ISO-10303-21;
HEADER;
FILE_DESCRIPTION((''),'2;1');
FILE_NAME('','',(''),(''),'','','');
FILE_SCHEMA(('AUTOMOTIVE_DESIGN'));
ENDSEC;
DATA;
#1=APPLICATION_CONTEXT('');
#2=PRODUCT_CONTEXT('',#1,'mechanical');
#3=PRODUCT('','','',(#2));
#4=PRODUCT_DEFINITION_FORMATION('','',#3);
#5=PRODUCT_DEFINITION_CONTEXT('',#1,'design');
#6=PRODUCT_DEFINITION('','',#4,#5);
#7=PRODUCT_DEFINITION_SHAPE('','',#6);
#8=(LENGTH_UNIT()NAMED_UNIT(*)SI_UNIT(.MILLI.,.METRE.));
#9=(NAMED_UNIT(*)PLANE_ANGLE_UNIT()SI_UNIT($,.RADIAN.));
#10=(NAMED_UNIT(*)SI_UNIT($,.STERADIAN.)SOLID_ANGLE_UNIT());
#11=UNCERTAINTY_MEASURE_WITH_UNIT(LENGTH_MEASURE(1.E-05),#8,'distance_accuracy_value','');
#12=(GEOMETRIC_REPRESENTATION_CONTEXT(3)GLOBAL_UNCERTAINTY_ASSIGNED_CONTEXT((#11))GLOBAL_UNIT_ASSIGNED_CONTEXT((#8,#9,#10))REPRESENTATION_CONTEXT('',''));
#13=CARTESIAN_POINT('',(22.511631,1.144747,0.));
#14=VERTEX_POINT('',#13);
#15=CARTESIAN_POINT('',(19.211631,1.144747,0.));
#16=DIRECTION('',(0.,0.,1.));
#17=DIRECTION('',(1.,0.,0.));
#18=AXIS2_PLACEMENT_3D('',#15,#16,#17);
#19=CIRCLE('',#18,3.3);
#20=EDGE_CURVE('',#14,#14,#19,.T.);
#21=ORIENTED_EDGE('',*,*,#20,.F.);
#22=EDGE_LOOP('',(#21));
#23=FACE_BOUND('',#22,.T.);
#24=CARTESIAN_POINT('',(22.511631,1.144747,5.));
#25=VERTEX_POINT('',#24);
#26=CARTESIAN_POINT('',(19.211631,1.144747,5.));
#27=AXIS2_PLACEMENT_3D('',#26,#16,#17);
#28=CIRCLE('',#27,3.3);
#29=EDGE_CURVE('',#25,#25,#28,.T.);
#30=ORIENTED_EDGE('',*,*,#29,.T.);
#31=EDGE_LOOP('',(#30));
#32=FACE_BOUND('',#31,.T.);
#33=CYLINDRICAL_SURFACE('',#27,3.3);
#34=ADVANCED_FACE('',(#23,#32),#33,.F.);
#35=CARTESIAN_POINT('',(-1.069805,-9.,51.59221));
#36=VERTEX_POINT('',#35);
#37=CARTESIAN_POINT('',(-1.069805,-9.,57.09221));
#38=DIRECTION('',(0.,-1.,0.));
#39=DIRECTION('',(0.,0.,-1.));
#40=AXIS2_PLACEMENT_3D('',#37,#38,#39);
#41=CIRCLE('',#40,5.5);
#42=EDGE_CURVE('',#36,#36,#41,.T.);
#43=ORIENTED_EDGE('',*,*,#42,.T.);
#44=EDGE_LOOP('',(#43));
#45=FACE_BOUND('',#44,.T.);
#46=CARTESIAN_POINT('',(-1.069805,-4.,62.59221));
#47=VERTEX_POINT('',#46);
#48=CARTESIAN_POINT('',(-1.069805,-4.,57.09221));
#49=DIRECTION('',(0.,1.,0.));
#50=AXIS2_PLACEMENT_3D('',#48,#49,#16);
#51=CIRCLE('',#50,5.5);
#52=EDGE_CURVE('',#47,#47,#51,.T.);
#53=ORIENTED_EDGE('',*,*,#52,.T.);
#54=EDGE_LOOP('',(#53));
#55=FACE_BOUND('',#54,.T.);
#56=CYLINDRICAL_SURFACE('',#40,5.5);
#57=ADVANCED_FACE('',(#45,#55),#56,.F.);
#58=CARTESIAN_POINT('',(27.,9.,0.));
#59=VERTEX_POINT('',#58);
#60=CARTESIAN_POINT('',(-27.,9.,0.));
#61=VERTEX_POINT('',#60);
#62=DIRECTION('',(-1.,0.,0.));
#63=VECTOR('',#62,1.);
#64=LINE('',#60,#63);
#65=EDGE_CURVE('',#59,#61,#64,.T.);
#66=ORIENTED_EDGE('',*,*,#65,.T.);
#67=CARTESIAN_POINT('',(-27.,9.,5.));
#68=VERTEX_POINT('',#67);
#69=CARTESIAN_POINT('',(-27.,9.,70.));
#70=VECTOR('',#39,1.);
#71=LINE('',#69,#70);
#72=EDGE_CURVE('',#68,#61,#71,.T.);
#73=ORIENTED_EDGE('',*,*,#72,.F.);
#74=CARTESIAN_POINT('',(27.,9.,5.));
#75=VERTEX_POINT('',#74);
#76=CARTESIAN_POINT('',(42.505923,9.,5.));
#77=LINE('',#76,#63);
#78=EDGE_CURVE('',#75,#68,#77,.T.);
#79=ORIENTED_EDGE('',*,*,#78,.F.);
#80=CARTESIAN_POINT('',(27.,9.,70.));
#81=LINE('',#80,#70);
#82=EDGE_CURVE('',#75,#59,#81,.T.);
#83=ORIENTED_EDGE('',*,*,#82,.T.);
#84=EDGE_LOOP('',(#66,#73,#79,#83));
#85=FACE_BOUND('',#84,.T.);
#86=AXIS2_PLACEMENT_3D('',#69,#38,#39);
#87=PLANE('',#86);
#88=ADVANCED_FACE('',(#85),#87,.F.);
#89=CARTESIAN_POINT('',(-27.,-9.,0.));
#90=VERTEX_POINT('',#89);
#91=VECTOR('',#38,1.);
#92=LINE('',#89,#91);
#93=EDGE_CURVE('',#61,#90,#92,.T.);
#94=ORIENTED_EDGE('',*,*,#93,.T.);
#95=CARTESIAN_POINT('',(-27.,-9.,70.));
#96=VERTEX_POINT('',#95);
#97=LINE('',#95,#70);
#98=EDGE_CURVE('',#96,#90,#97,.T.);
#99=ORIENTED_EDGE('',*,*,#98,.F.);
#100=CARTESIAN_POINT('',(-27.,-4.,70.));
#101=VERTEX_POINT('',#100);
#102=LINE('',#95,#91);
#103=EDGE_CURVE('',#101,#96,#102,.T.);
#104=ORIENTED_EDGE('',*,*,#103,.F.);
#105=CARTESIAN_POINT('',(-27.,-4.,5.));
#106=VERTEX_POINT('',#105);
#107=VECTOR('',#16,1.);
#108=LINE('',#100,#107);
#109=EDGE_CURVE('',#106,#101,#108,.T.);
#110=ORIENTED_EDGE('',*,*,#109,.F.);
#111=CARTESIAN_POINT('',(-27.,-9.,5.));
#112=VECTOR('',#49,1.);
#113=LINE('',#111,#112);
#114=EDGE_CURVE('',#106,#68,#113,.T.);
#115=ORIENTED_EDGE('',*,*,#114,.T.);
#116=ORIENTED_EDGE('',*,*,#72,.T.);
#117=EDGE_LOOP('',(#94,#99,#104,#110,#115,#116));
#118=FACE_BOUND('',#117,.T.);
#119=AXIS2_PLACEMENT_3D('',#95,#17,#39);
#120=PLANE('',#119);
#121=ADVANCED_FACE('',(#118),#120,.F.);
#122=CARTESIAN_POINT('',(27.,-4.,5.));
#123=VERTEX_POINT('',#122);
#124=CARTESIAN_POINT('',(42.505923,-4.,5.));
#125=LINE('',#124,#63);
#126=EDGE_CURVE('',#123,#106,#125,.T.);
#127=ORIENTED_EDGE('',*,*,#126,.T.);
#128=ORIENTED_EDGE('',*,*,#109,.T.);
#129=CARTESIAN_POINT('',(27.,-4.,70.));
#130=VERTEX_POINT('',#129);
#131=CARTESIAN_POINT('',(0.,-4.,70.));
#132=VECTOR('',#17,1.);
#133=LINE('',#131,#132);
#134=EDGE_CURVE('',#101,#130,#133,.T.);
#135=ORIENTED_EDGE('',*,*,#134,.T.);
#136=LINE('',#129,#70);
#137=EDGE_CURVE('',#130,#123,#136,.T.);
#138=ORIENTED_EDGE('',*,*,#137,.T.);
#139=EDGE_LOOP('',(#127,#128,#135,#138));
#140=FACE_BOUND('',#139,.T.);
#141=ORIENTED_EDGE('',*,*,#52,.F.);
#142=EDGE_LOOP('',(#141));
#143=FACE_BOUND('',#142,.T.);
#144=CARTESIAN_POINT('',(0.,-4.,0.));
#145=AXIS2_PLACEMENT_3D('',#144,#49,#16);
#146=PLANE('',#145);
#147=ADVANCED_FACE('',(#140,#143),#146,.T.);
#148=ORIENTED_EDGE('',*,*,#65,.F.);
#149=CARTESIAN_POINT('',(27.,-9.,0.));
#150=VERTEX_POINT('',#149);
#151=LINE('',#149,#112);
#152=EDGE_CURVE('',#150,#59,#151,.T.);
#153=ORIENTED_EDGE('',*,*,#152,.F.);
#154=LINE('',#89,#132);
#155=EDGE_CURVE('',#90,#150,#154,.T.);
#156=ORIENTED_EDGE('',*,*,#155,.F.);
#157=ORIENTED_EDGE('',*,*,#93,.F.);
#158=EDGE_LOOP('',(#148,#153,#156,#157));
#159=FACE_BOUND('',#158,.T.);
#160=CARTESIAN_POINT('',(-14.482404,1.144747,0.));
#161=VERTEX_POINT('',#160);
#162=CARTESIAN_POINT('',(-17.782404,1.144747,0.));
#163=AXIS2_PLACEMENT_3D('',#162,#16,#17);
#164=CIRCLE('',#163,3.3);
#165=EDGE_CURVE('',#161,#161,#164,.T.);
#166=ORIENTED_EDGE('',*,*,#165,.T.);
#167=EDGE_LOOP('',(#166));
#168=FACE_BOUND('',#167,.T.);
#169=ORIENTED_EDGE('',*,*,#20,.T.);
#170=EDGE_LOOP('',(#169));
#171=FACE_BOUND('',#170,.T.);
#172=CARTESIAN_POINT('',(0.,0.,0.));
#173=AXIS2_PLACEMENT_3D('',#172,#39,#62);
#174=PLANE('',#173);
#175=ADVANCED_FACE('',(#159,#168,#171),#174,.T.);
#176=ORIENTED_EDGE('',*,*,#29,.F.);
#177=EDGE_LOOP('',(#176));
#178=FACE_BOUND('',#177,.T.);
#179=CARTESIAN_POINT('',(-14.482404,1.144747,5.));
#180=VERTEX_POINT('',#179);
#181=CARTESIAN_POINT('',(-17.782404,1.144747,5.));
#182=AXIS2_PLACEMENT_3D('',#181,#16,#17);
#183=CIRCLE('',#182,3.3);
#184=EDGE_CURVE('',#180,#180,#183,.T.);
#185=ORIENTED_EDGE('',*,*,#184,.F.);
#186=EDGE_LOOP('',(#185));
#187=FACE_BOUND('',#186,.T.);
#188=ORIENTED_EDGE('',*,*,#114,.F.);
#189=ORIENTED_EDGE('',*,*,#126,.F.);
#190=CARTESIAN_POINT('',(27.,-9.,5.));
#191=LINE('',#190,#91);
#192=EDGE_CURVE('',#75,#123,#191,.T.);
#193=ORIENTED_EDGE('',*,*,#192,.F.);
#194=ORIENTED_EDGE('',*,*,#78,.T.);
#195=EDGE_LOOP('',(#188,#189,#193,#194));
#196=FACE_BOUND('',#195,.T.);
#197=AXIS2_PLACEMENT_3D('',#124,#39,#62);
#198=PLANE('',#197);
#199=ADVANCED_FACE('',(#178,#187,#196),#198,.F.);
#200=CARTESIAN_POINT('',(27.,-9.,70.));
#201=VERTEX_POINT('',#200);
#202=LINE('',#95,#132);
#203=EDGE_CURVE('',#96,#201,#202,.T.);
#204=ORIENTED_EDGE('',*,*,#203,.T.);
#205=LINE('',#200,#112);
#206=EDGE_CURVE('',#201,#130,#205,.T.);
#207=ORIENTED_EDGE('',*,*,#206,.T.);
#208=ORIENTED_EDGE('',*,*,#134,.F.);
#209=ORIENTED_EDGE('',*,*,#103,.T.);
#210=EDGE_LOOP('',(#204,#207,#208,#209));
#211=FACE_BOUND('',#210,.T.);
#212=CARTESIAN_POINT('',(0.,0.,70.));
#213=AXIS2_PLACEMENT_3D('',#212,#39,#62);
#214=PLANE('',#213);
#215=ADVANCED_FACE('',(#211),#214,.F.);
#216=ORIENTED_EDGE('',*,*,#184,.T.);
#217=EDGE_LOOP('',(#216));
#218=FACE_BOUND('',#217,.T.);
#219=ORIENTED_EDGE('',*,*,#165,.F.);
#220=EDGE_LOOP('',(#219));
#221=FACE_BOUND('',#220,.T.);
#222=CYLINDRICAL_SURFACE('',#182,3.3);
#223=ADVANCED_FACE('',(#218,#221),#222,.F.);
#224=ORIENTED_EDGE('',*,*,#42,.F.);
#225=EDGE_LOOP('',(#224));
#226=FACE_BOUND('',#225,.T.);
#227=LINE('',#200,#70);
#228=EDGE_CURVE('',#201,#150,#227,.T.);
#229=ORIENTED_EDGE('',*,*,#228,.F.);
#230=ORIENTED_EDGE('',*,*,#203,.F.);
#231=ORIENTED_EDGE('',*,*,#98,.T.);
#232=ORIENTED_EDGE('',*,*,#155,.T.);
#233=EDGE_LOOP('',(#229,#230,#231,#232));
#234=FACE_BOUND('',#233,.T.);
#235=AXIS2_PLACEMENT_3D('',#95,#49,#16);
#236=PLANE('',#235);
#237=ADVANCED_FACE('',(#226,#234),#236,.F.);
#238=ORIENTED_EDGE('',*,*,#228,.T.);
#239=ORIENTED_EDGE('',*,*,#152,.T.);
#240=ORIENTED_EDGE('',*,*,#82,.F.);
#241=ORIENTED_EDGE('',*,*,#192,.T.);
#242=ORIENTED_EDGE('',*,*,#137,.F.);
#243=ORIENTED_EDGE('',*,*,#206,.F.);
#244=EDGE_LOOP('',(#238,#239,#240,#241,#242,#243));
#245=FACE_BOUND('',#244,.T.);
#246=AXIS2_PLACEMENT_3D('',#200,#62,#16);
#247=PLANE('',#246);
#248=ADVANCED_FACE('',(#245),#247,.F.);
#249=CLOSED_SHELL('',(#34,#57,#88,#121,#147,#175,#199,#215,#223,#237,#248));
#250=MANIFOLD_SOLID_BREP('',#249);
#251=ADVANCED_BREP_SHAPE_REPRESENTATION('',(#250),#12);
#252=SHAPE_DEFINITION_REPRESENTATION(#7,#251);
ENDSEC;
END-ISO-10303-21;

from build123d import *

# Parameters (mm, degrees)
ESQUISSE1_W             = 54
ESQUISSE1_H             = 18
BOSS_EXTRU_1_DEPTH      = 70
ESQUISSE2_W             = 89.885876072
ESQUISSE2_H             = 74.564815434
ENL_V_MAT_EXTRU_1_DEPTH = 13
M6_CLEARANCE_HOLE1_D    = 6.6
M10_CLEARANCE_HOLE1_D   = 11


with BuildPart() as part:
    # Esquisse1 → Boss.-Extru.1 (new body)
    with BuildSketch(Plane.XY):
        Rectangle(ESQUISSE1_W, ESQUISSE1_H)
    extrude(amount=BOSS_EXTRU_1_DEPTH)

    # Esquisse2 → Enlèv. mat.-Extru.1 (cut)
    with BuildSketch(Plane(origin=(0, 9, 0), x_dir=(1, 0, 0), z_dir=(0, 1, 0))):
        with Locations((-2.437014962, -42.282407717)):
            Rectangle(ESQUISSE2_W, ESQUISSE2_H)
    extrude(amount=-ENL_V_MAT_EXTRU_1_DEPTH, mode=Mode.SUBTRACT)

    # M6 Clearance Hole1 (through all)
    with Locations(Plane.XY.offset(5)):
        with Locations((19.211630693, 1.144746785), (-17.782403657, 1.144746785)):
            Hole(M6_CLEARANCE_HOLE1_D / 2)

    # M10 Clearance Hole1 (through all)
    with Locations(Plane(origin=(0, -9, 0), x_dir=(-1, 0, 0), z_dir=(0, -1, 0))):
        with Locations((1.06980506, -57.092210499)):
            Hole(M10_CLEARANCE_HOLE1_D / 2)


solid = part.part
